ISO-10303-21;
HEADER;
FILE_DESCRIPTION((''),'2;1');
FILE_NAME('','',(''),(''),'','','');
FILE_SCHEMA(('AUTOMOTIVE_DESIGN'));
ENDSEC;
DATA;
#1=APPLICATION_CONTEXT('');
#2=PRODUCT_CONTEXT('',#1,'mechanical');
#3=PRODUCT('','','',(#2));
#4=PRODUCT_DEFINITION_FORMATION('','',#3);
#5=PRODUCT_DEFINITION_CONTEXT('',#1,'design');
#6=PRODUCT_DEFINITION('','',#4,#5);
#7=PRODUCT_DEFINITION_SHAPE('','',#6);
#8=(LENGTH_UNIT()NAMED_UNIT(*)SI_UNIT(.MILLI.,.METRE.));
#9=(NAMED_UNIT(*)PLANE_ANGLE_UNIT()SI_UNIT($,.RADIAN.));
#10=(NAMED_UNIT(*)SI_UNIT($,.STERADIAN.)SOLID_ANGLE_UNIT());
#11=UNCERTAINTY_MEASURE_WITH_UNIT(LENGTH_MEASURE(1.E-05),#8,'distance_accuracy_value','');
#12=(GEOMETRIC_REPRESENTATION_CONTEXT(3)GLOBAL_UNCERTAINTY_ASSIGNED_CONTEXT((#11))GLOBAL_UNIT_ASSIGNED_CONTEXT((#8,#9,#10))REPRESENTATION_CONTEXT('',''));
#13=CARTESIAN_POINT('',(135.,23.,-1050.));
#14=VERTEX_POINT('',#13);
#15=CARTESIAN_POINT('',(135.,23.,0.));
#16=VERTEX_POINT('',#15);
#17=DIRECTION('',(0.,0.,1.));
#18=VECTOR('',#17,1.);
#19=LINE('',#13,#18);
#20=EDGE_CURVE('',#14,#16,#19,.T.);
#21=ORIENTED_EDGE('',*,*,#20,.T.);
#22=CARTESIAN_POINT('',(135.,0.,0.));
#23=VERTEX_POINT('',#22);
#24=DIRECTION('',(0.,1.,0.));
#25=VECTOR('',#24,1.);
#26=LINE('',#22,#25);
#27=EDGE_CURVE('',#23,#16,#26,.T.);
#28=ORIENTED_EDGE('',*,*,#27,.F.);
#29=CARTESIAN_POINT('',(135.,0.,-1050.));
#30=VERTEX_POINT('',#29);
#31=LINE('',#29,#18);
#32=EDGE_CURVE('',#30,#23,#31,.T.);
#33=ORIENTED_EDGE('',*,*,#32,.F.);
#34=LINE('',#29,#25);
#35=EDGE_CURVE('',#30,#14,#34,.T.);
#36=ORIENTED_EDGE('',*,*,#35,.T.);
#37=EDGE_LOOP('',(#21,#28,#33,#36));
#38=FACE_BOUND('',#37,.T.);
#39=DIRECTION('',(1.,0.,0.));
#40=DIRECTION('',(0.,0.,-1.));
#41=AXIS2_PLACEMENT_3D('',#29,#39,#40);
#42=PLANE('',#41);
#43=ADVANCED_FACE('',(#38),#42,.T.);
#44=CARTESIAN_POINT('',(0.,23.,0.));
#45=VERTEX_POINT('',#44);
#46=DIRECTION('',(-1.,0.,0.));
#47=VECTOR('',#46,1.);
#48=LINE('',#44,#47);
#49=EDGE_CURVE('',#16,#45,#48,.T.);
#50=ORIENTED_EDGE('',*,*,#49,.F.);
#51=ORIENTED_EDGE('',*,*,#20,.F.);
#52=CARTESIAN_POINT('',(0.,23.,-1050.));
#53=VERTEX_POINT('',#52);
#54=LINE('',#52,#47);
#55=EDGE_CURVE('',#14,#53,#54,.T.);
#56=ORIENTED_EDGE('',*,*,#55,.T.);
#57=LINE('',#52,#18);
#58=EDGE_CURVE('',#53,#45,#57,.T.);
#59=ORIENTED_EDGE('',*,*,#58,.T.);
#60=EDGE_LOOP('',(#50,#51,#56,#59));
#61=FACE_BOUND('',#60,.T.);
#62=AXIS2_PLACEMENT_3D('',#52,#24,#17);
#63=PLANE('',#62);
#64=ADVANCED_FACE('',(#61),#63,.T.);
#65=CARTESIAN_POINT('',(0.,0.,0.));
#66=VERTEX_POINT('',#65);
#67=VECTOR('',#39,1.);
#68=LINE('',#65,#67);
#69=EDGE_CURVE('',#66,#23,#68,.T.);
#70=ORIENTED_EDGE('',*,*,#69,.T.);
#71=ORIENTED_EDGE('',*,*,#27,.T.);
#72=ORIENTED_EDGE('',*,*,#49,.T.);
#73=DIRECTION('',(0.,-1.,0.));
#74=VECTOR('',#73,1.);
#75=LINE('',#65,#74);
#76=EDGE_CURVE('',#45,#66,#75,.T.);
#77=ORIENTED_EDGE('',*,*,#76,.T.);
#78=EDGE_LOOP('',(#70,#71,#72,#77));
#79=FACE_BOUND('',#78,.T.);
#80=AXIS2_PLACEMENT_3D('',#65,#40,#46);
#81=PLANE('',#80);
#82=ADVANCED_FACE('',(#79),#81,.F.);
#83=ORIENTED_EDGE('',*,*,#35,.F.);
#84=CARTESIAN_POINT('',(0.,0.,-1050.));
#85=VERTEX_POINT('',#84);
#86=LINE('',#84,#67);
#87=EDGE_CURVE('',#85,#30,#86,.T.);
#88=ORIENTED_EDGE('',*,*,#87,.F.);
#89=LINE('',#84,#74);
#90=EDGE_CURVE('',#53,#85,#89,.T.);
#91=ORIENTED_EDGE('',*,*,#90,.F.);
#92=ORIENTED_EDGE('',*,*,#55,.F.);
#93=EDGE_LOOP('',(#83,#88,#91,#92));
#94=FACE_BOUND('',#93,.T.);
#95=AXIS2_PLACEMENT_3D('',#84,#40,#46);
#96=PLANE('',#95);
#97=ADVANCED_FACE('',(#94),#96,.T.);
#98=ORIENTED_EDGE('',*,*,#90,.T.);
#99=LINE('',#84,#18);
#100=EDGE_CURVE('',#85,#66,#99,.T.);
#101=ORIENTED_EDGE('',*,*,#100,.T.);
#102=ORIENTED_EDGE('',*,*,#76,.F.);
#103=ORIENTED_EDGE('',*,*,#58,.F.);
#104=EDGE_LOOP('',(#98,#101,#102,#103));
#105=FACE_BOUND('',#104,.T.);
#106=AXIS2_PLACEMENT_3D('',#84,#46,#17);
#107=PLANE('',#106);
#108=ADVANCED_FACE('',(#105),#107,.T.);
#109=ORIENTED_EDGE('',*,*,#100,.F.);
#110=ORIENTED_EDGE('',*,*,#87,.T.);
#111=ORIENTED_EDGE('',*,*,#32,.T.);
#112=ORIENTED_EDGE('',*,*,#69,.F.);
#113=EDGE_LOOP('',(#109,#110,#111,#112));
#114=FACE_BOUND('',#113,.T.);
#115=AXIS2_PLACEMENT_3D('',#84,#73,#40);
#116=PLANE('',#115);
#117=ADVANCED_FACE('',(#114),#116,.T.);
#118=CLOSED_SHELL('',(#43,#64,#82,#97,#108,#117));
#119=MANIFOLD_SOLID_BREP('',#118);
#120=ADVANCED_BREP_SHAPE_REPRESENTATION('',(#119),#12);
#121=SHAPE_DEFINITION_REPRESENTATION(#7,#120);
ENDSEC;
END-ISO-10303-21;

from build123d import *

# Parameters (mm, degrees)
CROQUIS1_W              = 135
CROQUIS1_H              = 23
SALIENTE_EXTRUIR1_DEPTH = 1050


with BuildPart() as part:
    # Croquis1 → Saliente-Extruir1 (new body)
    with BuildSketch(Plane.XY):
        with Locations((67.5, 11.5)):
            Rectangle(CROQUIS1_W, CROQUIS1_H)
    extrude(amount=-SALIENTE_EXTRUIR1_DEPTH)


solid = part.part
